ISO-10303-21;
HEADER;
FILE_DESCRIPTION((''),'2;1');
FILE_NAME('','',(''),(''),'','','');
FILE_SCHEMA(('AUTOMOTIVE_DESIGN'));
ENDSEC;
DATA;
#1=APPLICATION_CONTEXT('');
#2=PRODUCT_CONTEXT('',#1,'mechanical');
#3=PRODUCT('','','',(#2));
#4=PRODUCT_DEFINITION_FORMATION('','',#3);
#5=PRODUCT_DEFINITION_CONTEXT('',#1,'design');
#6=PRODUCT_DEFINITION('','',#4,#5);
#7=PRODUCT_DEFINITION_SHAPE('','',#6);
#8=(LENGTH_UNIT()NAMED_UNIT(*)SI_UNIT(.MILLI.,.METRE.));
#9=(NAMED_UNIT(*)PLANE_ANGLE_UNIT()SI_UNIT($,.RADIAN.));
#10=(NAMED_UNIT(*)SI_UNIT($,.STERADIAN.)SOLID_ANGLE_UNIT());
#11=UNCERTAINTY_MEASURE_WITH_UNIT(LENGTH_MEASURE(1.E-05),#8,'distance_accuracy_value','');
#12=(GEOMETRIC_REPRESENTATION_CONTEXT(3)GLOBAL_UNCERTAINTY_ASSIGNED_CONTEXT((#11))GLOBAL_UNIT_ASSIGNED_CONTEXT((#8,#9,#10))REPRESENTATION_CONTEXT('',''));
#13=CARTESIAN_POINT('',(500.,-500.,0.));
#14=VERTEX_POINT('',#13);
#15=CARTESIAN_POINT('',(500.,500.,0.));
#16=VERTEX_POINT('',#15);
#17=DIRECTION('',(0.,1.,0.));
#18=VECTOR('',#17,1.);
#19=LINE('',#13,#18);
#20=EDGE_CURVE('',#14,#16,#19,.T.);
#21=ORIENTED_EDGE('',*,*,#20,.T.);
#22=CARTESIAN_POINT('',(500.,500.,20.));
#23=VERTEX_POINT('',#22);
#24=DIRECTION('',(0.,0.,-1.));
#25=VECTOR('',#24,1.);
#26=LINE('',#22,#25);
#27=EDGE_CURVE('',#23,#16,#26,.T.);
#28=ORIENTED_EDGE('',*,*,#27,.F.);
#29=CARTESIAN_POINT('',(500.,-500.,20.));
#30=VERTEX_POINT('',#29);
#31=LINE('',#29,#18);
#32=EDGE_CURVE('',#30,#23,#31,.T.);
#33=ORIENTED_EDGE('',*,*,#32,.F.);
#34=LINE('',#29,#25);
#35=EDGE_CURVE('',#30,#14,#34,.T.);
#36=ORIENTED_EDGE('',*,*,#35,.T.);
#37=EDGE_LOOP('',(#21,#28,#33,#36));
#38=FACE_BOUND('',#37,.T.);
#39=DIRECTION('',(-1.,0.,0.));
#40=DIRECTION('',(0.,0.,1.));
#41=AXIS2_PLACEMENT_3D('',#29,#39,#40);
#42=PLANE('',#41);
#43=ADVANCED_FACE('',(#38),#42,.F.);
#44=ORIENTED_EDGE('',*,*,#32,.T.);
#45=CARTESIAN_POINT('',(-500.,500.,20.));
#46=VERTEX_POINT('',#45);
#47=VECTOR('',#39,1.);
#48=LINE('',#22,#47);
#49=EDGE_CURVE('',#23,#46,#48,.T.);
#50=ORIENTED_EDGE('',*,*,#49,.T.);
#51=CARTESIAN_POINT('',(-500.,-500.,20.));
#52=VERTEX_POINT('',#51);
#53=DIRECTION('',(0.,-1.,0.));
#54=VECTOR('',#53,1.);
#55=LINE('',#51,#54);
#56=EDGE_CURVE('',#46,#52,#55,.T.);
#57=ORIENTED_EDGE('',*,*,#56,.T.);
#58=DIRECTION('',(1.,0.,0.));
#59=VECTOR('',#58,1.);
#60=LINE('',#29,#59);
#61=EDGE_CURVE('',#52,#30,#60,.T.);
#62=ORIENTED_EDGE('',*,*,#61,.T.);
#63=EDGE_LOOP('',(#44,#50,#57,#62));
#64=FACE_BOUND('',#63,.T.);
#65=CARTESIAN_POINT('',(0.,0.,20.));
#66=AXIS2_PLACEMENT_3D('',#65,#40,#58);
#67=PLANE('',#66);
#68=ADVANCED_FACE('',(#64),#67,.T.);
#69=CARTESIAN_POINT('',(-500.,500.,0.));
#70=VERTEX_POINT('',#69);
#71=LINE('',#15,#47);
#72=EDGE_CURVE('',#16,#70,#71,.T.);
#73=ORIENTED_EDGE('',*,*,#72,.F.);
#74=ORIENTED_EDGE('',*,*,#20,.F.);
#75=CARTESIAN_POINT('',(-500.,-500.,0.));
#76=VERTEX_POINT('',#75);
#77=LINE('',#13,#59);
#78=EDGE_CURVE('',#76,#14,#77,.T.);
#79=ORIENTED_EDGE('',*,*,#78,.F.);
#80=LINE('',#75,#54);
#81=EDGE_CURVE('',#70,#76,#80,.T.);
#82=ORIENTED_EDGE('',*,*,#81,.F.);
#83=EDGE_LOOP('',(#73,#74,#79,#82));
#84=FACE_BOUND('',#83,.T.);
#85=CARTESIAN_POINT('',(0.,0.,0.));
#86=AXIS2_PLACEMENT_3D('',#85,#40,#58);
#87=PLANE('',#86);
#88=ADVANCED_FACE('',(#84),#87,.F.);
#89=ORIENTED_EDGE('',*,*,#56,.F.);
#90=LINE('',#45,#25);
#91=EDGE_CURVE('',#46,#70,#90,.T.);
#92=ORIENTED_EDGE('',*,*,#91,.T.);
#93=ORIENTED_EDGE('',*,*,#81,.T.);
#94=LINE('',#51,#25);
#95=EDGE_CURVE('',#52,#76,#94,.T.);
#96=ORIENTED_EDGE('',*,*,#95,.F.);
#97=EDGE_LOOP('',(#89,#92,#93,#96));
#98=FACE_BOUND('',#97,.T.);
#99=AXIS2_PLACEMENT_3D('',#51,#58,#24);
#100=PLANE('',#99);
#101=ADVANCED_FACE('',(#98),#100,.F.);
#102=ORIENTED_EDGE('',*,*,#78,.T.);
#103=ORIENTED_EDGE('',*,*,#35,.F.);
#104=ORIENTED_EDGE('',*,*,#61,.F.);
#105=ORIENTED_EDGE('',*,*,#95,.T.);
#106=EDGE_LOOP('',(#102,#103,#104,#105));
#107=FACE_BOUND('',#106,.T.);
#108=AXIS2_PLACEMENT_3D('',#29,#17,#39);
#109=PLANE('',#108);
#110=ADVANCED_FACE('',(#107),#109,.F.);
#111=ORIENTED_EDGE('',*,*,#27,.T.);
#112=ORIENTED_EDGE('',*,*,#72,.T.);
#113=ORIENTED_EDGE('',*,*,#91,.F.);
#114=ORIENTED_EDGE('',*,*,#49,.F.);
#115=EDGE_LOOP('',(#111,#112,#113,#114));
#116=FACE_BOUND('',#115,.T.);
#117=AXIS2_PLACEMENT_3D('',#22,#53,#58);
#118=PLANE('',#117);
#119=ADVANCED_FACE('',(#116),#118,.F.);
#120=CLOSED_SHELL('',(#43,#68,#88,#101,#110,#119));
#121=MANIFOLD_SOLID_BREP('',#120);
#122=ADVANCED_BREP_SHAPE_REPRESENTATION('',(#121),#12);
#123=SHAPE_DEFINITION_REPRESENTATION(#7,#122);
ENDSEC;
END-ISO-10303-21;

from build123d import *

# Parameters (mm, degrees)
SKIZZE1_W                       = 1000
SKIZZE1_H                       = 1000
AUFSATZ_LINEAR_AUSTRAGEN1_DEPTH = 20


with BuildPart() as part:
    # Skizze1 → Aufsatz-Linear austragen1 (new body)
    with BuildSketch(Plane.XY):
        Rectangle(SKIZZE1_W, SKIZZE1_H)
    extrude(amount=AUFSATZ_LINEAR_AUSTRAGEN1_DEPTH)


solid = part.part
